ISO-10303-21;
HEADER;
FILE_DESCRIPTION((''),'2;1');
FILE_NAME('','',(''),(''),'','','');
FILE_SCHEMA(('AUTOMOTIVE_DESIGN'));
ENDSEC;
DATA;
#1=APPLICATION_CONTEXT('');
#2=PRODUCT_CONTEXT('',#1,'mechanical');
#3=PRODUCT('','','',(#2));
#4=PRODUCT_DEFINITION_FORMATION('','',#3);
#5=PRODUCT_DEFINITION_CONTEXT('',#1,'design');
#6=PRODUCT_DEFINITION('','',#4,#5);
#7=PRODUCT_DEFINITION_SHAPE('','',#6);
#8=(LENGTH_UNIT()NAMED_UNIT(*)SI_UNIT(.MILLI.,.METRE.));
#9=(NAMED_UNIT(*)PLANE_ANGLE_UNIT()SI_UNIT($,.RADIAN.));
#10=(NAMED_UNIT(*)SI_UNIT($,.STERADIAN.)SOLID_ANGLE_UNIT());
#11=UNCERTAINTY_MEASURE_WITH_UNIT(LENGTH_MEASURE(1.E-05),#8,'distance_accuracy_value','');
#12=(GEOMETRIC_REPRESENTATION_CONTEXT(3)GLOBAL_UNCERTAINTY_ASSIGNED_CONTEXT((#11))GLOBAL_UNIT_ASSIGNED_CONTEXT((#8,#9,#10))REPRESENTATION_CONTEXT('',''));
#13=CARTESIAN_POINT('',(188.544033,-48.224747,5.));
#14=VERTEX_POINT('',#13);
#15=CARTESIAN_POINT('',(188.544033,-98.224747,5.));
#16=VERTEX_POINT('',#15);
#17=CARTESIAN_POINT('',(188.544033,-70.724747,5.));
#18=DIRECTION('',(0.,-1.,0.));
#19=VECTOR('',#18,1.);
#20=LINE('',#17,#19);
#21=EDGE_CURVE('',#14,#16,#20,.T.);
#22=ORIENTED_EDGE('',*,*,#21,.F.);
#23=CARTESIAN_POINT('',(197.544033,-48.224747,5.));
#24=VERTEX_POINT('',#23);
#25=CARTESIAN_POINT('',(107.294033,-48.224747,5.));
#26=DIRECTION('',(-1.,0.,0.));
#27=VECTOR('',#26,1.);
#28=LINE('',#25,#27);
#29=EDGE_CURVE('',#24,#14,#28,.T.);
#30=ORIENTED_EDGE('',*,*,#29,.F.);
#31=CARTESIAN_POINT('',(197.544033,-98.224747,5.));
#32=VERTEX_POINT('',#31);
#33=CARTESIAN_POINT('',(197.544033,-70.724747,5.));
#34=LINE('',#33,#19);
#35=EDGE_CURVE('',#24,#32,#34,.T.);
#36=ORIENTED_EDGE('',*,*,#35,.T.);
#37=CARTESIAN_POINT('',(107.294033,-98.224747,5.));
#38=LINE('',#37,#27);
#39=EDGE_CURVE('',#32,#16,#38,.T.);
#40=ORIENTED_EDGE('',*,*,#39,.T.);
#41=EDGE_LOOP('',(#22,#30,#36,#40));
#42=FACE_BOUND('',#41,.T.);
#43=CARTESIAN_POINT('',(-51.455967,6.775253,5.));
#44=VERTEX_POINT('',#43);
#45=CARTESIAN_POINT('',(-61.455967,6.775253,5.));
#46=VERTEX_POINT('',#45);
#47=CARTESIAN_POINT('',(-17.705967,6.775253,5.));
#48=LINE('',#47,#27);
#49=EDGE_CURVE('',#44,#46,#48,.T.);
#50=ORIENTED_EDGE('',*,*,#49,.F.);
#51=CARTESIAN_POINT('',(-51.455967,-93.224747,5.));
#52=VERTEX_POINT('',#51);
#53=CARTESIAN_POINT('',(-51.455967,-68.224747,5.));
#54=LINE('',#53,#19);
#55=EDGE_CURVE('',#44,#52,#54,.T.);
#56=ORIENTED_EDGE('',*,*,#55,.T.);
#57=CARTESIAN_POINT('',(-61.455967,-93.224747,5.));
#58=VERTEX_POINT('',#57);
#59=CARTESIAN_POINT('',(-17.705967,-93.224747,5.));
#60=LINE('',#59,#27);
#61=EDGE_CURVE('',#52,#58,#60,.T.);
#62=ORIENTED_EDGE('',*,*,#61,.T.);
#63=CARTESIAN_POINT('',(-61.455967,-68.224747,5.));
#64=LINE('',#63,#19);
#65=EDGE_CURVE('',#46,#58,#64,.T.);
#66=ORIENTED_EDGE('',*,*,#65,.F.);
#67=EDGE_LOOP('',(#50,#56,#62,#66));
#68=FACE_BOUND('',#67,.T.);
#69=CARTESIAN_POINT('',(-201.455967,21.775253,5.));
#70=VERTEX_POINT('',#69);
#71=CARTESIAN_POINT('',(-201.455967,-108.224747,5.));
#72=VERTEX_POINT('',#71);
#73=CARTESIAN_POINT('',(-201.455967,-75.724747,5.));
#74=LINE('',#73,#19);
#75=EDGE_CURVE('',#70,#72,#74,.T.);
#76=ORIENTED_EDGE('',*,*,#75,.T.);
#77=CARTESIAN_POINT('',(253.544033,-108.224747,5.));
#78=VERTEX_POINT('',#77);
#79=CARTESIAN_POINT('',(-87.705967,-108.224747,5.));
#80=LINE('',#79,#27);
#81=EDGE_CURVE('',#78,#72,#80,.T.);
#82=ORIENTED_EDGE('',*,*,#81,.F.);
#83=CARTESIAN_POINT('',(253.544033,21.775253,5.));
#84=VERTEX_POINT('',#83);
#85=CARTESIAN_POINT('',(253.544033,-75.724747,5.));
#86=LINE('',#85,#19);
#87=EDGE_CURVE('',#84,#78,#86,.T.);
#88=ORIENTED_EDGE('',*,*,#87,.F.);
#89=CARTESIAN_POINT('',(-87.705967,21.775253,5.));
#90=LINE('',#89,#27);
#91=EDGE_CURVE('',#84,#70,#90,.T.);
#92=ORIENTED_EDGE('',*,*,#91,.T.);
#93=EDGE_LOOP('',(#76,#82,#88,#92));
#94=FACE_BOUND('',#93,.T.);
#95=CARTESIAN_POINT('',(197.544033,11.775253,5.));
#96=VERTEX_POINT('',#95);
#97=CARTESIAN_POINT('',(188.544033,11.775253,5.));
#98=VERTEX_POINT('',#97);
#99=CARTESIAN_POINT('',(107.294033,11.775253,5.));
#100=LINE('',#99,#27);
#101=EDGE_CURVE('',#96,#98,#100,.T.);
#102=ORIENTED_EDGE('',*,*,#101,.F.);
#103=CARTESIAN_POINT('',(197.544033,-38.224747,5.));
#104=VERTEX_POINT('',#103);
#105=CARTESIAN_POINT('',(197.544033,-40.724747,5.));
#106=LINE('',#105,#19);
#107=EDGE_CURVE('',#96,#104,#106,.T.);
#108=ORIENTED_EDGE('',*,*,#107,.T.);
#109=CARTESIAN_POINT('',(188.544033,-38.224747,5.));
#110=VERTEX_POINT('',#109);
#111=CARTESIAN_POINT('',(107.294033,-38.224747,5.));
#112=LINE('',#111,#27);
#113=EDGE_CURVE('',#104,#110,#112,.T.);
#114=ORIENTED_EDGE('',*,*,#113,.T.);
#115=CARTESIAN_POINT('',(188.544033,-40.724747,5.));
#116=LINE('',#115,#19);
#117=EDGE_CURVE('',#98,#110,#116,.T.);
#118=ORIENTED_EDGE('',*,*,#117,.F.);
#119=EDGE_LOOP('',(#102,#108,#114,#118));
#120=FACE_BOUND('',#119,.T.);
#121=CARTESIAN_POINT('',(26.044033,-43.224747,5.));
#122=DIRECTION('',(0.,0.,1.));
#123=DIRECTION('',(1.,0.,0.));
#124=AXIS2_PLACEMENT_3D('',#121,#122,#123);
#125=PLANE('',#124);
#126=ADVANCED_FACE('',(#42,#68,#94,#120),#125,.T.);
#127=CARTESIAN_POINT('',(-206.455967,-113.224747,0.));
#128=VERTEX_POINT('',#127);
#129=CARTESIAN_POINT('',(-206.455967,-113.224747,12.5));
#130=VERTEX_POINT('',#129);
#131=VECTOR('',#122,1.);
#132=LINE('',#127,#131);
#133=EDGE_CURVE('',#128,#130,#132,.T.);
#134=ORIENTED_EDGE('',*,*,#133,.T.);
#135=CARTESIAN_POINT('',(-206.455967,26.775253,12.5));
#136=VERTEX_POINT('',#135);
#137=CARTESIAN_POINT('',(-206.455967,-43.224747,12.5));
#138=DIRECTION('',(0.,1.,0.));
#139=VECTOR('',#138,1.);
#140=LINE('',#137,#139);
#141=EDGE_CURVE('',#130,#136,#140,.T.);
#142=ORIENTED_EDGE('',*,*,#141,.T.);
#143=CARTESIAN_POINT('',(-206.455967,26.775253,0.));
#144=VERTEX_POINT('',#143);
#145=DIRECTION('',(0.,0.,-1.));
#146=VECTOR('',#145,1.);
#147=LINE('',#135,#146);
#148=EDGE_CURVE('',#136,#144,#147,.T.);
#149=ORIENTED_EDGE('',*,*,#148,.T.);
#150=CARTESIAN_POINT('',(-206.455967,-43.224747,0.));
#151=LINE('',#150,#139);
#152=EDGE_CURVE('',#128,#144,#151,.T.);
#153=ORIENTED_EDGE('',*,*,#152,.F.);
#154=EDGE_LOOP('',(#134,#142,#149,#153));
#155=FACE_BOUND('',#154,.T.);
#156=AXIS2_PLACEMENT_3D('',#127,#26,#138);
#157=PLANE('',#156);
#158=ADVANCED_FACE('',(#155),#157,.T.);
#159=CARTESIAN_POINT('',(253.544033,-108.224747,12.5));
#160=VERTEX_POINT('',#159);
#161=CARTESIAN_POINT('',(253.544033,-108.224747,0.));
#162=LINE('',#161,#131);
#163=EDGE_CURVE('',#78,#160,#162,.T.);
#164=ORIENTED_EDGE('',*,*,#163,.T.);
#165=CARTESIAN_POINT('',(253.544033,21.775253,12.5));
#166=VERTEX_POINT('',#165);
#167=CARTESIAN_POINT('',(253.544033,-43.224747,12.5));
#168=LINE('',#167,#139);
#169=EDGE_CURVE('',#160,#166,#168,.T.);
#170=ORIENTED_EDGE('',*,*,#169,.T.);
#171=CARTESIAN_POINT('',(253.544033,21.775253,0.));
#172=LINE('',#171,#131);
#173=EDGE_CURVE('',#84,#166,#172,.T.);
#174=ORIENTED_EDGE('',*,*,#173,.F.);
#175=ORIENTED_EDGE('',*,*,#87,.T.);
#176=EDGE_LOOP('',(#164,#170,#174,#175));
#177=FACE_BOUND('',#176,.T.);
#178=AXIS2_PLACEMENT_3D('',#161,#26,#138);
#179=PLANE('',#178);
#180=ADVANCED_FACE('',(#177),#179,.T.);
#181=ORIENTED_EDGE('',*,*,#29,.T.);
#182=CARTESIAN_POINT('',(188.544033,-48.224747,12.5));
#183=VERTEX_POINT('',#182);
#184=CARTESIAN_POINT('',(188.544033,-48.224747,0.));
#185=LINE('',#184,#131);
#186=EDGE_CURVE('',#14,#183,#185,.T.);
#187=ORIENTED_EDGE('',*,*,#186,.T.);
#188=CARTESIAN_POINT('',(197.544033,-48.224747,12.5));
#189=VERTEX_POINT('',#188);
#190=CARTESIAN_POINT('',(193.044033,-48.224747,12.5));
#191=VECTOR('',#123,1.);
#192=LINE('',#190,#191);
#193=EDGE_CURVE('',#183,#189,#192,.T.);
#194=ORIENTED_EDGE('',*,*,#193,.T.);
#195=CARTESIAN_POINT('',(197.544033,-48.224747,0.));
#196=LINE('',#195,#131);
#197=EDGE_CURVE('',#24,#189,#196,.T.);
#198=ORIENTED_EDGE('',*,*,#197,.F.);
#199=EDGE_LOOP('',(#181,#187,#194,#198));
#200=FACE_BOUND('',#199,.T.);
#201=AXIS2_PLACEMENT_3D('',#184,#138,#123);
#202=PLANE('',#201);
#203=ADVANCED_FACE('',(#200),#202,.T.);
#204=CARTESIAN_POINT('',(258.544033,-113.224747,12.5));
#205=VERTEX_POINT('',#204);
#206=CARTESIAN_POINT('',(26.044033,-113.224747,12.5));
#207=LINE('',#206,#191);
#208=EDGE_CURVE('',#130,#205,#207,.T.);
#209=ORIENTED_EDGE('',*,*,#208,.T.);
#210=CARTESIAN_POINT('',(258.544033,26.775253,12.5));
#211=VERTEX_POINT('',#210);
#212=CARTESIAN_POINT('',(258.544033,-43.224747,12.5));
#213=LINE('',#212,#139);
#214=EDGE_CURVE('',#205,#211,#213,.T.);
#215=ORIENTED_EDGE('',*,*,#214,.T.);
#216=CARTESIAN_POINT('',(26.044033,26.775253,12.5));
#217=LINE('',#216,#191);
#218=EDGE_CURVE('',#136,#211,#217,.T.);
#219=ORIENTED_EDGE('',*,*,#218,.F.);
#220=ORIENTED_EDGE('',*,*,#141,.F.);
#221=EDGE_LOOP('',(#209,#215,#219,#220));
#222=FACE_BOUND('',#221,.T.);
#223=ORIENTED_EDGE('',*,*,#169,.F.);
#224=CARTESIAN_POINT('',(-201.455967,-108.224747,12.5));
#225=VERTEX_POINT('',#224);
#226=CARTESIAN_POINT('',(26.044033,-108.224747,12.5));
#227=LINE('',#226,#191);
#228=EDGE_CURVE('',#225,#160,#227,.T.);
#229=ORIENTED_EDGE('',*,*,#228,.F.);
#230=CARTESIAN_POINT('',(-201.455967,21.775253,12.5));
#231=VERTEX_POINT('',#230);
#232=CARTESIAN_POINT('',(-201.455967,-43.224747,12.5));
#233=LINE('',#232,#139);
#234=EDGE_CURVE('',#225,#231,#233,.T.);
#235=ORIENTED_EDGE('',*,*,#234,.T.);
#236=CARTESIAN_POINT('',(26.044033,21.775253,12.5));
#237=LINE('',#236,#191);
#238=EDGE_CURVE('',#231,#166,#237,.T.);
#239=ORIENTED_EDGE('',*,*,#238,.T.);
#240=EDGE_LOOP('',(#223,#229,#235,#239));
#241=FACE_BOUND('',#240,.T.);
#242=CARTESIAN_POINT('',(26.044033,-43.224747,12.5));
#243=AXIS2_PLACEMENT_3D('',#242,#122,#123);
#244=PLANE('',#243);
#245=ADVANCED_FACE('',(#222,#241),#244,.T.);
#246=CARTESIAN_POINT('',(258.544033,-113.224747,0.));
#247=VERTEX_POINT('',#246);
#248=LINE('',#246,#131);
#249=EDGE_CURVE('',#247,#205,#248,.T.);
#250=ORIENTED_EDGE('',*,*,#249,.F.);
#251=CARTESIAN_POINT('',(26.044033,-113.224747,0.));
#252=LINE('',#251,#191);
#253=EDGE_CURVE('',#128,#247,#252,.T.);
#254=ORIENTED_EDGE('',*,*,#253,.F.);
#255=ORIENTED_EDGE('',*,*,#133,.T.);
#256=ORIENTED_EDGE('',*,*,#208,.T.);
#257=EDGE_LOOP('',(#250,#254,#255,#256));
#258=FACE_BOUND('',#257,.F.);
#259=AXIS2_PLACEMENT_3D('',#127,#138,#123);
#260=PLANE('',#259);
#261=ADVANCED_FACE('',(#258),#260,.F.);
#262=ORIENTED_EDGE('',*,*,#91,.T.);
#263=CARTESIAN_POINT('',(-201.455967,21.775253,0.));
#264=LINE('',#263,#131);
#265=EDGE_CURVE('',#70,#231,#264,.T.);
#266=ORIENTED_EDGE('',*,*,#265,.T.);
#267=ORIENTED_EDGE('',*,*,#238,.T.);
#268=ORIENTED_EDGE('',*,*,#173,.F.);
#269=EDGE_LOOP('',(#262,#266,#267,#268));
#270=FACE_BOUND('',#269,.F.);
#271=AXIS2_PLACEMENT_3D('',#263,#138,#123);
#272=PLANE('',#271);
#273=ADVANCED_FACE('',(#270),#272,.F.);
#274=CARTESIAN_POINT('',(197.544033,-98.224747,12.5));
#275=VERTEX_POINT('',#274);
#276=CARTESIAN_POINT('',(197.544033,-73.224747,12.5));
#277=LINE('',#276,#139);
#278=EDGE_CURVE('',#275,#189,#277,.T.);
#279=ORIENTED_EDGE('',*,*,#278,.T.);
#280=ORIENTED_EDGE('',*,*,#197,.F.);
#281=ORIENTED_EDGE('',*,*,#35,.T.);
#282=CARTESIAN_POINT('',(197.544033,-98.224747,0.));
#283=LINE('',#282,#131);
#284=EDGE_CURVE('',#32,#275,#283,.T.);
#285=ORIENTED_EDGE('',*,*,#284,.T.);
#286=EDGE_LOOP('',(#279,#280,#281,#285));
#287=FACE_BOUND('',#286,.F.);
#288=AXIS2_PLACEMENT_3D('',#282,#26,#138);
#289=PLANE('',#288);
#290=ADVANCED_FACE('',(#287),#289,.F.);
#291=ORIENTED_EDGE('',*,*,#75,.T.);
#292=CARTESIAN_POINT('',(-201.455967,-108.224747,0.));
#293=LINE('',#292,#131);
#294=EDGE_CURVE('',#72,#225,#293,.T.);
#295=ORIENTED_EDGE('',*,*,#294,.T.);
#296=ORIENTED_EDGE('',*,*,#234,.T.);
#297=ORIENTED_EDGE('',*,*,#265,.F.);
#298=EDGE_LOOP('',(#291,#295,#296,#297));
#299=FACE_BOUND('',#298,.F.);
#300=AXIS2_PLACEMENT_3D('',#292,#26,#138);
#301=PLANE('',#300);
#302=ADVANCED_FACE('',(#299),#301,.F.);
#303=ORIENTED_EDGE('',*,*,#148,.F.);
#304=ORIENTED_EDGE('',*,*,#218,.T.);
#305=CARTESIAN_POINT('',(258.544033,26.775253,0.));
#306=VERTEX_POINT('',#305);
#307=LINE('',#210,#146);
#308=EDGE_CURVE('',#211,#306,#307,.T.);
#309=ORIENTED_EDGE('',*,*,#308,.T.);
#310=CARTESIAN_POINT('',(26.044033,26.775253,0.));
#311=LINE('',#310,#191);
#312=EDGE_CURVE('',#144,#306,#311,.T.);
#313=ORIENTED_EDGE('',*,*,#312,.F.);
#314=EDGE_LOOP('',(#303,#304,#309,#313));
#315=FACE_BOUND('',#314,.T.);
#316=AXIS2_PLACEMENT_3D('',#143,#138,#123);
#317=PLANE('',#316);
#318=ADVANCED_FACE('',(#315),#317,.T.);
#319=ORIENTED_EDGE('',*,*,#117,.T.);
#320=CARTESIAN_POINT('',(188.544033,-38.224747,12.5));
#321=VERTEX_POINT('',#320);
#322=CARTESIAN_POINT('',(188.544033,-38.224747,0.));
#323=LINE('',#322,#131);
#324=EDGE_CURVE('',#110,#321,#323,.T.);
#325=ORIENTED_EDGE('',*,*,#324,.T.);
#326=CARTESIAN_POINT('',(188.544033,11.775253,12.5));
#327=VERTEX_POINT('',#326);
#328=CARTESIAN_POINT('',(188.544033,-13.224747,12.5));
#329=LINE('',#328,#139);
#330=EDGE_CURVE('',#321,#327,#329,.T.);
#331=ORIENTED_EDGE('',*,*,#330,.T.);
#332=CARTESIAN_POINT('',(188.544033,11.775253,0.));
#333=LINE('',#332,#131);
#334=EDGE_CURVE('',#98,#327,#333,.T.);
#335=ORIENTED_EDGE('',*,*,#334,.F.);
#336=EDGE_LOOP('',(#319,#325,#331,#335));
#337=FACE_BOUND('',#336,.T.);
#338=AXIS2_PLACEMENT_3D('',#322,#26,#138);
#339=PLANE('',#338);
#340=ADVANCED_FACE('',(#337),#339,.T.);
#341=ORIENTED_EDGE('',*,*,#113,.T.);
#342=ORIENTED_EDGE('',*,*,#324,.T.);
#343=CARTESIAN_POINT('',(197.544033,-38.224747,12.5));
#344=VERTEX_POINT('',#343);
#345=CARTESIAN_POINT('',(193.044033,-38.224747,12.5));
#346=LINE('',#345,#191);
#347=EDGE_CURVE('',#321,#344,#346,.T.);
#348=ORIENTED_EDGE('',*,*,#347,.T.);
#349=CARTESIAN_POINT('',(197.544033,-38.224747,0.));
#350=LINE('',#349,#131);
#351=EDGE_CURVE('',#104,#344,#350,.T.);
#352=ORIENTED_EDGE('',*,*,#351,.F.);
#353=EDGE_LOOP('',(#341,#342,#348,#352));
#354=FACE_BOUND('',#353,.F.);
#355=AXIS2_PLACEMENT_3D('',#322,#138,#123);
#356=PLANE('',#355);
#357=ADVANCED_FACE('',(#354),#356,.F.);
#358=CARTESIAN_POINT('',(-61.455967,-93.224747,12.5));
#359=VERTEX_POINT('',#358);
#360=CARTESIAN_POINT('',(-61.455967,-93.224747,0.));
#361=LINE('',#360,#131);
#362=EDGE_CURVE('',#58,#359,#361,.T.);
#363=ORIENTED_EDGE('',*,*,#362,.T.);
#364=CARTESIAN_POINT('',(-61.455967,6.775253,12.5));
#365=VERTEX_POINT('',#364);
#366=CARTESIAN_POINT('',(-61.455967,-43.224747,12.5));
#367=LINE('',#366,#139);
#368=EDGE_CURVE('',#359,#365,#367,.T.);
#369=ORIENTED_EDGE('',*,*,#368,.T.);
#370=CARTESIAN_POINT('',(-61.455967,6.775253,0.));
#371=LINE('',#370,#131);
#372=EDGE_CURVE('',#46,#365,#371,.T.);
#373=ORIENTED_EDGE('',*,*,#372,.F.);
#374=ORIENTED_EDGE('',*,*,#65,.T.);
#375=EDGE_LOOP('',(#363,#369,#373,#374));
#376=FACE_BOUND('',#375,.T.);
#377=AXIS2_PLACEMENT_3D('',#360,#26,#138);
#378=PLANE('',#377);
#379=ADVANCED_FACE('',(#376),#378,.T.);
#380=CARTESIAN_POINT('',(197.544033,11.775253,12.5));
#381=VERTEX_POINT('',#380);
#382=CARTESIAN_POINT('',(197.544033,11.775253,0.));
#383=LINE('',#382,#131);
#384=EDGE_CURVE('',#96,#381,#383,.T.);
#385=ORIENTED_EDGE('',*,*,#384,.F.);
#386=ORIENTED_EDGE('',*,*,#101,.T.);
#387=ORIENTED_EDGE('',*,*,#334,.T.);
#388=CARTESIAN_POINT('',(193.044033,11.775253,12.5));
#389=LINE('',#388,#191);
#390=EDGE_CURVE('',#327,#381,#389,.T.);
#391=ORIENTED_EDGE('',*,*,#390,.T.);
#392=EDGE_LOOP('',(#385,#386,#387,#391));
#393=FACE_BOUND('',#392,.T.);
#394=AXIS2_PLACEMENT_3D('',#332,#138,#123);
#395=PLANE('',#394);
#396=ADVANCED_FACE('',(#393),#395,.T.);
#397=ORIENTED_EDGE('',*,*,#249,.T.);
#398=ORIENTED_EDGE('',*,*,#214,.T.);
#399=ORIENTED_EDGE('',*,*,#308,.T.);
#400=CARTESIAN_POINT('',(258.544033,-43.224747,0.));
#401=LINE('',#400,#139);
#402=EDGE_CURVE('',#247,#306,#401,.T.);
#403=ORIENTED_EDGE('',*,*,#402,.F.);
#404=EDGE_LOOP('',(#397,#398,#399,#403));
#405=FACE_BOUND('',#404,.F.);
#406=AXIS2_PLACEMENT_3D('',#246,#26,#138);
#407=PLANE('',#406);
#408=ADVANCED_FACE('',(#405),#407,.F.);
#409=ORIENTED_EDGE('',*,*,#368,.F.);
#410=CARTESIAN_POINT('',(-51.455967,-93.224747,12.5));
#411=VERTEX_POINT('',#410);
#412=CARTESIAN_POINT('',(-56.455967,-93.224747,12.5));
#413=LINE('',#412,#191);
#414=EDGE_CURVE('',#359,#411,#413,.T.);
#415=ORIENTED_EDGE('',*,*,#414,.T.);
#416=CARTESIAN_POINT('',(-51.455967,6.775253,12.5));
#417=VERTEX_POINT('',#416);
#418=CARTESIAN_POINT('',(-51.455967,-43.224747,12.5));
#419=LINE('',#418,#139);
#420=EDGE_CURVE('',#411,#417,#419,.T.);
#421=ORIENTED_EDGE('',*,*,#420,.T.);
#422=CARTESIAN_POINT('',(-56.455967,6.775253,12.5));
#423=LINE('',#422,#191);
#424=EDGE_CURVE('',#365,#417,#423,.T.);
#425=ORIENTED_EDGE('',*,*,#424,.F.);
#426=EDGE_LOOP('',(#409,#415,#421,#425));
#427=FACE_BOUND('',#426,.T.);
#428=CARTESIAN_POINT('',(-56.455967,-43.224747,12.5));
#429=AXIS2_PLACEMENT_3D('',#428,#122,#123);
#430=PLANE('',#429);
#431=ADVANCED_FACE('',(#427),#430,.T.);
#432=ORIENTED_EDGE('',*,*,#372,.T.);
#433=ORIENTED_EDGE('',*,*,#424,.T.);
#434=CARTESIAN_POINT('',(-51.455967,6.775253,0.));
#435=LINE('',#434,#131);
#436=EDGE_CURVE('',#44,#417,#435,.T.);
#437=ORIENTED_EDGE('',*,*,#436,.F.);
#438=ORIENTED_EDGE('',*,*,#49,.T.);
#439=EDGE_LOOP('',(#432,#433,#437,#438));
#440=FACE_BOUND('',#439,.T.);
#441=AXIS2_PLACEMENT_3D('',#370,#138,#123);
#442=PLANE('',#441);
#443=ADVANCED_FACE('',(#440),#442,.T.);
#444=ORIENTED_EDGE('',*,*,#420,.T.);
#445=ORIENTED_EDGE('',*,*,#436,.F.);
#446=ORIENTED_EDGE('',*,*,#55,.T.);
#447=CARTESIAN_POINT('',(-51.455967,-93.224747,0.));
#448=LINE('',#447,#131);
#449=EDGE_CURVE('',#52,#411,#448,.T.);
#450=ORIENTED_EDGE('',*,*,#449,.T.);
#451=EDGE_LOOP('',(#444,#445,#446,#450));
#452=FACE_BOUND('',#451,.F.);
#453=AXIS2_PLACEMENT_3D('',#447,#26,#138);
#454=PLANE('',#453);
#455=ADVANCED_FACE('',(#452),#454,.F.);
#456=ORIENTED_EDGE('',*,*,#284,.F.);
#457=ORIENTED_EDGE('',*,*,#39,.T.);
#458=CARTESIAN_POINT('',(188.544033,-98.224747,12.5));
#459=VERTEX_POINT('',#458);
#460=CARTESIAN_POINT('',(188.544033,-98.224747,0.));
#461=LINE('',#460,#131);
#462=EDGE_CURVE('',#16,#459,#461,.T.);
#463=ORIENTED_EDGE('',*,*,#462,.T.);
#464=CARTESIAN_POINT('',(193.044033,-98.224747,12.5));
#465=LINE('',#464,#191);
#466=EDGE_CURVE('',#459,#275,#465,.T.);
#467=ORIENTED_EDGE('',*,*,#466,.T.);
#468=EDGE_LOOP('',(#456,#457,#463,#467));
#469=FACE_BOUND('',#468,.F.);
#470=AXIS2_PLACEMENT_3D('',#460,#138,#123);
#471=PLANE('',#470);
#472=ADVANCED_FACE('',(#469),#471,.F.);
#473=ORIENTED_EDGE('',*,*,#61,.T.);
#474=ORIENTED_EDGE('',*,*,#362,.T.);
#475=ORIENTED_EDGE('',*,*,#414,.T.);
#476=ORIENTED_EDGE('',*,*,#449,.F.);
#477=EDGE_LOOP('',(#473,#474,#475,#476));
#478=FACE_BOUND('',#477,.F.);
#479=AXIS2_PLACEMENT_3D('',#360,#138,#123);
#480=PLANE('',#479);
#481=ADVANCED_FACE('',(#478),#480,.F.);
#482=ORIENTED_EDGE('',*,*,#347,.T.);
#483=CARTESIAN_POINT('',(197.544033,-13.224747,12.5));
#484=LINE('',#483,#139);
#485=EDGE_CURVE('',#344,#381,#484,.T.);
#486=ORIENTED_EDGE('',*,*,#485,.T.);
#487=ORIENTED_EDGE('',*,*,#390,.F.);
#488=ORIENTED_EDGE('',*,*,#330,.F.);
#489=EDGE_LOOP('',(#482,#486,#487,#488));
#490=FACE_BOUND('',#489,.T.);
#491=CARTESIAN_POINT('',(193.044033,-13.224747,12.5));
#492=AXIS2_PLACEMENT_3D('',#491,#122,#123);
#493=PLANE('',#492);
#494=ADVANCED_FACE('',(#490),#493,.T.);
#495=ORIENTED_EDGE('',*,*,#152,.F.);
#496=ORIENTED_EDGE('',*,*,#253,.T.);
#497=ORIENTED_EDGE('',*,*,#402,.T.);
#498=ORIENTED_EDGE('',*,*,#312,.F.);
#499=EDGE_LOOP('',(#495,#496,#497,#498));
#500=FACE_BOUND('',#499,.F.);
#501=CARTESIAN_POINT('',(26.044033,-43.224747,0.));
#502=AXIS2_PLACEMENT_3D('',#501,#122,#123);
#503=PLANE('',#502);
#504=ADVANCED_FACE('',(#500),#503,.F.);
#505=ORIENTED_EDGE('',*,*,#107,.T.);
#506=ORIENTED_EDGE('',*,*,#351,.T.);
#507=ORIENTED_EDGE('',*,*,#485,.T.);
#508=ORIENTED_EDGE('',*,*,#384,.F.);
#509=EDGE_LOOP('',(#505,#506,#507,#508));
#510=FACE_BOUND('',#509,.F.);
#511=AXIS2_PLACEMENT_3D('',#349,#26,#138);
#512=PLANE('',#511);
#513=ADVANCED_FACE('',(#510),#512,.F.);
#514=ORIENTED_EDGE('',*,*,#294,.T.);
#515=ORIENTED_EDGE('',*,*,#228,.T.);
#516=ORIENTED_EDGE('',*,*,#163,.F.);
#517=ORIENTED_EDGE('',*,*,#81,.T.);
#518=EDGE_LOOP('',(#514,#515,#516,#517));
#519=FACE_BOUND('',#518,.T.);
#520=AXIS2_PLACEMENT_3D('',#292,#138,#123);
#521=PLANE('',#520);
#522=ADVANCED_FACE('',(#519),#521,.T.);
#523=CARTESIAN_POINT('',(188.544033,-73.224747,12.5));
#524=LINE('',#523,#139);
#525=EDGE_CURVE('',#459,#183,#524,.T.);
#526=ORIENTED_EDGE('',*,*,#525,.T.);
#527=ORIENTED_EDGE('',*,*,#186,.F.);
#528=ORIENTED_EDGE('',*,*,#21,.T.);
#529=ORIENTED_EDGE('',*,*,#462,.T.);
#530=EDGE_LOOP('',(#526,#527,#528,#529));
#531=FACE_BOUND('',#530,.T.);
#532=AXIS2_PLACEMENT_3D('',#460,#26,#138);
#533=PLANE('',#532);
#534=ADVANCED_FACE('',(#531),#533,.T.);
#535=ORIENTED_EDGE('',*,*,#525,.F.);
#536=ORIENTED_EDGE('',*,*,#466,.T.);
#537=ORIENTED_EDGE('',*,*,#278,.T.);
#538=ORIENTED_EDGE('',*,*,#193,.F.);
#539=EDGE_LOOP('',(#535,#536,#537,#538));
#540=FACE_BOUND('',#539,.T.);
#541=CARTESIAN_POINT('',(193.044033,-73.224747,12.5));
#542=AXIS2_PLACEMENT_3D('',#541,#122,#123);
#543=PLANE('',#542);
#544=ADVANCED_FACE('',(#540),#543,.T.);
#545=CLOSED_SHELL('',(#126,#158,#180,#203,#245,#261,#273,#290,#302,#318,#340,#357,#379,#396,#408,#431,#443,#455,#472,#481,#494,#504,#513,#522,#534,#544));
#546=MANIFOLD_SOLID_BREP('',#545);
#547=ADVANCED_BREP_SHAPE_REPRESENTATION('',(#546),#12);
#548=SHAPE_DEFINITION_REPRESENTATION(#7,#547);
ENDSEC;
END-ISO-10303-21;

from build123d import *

# Parameters (mm, degrees)
F0_W     = 465
F0_H     = 140
F0_W_2   = 455
F0_H_2   = 130
F0_W_3   = 9
F0_H_3   = 50
F0_W_4   = 10
F0_H_4   = 100
F1_DEPTH = 5
F2_DEPTH = 12.5


with BuildPart() as f1:
    # F0 (on Top) → F1 (new body)
    with BuildSketch(Plane.XY):
        with Locations((26.0440334678, -43.2247466722)):
            Rectangle(F0_W, F0_H)
        with Locations((26.0440334678, -43.2247466722)):
            Rectangle(F0_W_2, F0_H_2, mode=Mode.SUBTRACT)
        with Locations((26.0440334678, -43.2247466722)):
            Rectangle(F0_W_2, F0_H_2)
        with Locations((193.0440334678, -73.2247466722)):
            Rectangle(F0_W_3, F0_H_3, mode=Mode.SUBTRACT)
        with Locations((-56.4559665322, -43.2247466722)):
            Rectangle(F0_W_4, F0_H_4, mode=Mode.SUBTRACT)
        with Locations((193.0440334678, -13.2247466722)):
            Rectangle(F0_W_3, F0_H_3, mode=Mode.SUBTRACT)
        with Locations((-56.4559665322, -43.2247466722)):
            Rectangle(F0_W_4, F0_H_4)
        with Locations((193.0440334678, -13.2247466722)):
            Rectangle(F0_W_3, F0_H_3)
        with Locations((193.0440334678, -73.2247466722)):
            Rectangle(F0_W_3, F0_H_3)
    extrude(amount=F1_DEPTH)

    # F0 (on Top) → F2 (join)
    with BuildSketch(Plane.XY):
        with Locations((26.0440334678, -43.2247466722)):
            Rectangle(F0_W, F0_H)
        with Locations((26.0440334678, -43.2247466722)):
            Rectangle(F0_W_2, F0_H_2, mode=Mode.SUBTRACT)
        with Locations((-56.4559665322, -43.2247466722)):
            Rectangle(F0_W_4, F0_H_4)
        with Locations((193.0440334678, -13.2247466722)):
            Rectangle(F0_W_3, F0_H_3)
        with Locations((193.0440334678, -73.2247466722)):
            Rectangle(F0_W_3, F0_H_3)
    extrude(amount=F2_DEPTH)


solid = f1.part
